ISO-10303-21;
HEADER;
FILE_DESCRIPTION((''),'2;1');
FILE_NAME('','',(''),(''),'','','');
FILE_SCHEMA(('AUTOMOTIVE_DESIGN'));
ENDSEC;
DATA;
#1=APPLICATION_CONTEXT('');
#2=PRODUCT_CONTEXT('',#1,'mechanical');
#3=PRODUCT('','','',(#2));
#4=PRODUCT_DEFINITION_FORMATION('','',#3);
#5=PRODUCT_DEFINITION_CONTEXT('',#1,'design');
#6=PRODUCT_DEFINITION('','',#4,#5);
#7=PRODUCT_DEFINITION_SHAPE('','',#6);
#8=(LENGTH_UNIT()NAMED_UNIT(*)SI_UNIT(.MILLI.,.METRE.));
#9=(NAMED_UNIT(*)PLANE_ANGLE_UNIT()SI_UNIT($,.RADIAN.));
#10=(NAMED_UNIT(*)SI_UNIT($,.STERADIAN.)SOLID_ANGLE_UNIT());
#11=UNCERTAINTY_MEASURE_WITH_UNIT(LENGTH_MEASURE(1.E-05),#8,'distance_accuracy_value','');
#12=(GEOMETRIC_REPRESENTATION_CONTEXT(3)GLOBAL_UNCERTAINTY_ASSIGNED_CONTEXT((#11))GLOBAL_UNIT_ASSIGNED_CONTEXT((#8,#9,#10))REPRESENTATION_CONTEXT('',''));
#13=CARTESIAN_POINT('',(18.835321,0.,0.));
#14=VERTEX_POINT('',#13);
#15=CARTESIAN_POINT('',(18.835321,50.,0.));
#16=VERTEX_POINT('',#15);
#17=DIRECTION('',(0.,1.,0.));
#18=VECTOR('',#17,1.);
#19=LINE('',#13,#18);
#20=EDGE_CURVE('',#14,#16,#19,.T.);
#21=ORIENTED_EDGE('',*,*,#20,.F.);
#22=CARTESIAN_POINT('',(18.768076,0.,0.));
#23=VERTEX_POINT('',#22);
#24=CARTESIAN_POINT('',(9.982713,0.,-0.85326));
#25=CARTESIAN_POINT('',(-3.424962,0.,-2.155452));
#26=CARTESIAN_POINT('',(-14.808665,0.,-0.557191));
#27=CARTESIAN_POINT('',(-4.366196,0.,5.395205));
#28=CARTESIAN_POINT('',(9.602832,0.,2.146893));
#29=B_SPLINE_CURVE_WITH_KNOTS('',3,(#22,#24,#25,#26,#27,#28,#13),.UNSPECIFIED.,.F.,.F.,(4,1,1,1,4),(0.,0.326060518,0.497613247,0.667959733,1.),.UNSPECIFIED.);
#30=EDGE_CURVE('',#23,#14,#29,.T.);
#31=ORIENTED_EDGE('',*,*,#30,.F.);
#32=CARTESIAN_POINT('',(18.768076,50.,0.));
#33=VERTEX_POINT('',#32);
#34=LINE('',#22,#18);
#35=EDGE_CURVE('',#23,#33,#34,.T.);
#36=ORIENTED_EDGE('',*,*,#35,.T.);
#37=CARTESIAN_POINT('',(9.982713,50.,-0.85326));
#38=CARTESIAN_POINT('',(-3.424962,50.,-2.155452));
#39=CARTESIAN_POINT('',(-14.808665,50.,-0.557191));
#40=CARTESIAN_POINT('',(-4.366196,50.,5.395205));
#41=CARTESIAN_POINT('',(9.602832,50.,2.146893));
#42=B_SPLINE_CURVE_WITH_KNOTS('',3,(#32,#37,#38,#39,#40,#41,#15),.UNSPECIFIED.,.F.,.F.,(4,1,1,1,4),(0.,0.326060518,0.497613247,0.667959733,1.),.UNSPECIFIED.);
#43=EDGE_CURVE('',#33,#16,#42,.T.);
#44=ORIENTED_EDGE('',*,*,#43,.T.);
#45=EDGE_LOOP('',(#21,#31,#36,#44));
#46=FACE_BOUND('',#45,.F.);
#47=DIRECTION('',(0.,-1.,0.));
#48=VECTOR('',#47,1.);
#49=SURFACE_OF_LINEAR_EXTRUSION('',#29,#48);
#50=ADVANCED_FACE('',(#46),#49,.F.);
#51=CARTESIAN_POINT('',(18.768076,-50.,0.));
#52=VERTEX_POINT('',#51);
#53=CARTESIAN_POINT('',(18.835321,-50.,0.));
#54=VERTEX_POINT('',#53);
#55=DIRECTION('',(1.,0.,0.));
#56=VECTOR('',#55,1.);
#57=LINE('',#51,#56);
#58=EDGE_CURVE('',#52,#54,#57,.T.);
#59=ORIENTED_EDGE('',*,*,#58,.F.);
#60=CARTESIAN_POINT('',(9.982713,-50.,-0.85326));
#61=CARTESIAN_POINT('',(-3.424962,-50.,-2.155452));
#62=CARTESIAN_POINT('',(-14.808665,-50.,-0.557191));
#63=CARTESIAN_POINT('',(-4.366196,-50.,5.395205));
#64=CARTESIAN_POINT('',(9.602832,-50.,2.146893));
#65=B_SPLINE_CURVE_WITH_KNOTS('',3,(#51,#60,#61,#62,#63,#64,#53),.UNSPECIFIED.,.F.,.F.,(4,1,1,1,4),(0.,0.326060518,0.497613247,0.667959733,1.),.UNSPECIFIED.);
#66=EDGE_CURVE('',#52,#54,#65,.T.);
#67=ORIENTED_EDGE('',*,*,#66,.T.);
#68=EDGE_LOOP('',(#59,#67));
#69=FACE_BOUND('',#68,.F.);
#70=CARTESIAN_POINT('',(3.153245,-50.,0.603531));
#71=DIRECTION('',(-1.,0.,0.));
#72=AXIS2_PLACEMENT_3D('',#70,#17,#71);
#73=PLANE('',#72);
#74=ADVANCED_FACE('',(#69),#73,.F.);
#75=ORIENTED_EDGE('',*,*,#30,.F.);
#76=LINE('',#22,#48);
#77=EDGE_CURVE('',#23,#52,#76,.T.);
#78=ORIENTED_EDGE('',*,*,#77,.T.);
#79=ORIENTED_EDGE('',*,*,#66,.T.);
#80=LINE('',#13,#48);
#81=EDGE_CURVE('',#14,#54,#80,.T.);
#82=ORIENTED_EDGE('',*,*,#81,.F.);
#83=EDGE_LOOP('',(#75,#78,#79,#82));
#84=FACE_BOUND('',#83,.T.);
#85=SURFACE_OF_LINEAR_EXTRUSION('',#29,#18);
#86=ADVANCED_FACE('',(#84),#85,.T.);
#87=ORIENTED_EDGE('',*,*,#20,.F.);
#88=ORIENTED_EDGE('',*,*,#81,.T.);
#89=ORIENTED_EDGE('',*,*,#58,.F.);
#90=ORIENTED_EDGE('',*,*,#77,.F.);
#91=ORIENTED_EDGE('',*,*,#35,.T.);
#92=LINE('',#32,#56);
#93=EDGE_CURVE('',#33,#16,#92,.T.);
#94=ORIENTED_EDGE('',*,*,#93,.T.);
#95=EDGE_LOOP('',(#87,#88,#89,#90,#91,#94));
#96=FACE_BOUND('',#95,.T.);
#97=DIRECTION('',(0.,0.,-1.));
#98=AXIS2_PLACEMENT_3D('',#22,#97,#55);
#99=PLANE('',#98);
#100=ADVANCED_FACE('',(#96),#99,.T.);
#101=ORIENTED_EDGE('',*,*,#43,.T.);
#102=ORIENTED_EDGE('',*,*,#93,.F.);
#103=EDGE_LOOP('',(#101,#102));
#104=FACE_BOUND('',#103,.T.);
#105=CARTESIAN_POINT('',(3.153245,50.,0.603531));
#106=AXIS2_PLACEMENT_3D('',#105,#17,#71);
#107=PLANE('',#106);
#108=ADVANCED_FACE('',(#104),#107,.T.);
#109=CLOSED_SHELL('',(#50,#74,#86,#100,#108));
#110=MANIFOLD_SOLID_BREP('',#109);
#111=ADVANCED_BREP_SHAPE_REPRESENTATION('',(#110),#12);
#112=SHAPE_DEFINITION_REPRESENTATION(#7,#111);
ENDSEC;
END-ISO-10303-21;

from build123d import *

# Parameters (mm, degrees)
F1_DEPTH = 50


with BuildPart() as f1:
    # F0 (on Front) → F1 (new body, symmetric)
    with BuildSketch(Plane.XZ):
        with BuildLine():
            add(Edge.make_bspline(
                [(18.7680758536, 0), (9.9827125148, -0.8532598884), (-3.4249616563, -2.1554519693), (-14.8086647957, -0.5571910415), (-4.366196267, 5.3952045433), (9.6028323945, 2.1468925553), (18.8353210688, 0)],
                knots=[0, 0, 0, 0, 0.3260605177, 0.4976132474, 0.6679597332, 1, 1, 1, 1], degree=3))
            Line((18.7680758536, 0), (18.8353210688, 0))
        make_face()
    extrude(amount=F1_DEPTH, both=True)


solid = f1.part
